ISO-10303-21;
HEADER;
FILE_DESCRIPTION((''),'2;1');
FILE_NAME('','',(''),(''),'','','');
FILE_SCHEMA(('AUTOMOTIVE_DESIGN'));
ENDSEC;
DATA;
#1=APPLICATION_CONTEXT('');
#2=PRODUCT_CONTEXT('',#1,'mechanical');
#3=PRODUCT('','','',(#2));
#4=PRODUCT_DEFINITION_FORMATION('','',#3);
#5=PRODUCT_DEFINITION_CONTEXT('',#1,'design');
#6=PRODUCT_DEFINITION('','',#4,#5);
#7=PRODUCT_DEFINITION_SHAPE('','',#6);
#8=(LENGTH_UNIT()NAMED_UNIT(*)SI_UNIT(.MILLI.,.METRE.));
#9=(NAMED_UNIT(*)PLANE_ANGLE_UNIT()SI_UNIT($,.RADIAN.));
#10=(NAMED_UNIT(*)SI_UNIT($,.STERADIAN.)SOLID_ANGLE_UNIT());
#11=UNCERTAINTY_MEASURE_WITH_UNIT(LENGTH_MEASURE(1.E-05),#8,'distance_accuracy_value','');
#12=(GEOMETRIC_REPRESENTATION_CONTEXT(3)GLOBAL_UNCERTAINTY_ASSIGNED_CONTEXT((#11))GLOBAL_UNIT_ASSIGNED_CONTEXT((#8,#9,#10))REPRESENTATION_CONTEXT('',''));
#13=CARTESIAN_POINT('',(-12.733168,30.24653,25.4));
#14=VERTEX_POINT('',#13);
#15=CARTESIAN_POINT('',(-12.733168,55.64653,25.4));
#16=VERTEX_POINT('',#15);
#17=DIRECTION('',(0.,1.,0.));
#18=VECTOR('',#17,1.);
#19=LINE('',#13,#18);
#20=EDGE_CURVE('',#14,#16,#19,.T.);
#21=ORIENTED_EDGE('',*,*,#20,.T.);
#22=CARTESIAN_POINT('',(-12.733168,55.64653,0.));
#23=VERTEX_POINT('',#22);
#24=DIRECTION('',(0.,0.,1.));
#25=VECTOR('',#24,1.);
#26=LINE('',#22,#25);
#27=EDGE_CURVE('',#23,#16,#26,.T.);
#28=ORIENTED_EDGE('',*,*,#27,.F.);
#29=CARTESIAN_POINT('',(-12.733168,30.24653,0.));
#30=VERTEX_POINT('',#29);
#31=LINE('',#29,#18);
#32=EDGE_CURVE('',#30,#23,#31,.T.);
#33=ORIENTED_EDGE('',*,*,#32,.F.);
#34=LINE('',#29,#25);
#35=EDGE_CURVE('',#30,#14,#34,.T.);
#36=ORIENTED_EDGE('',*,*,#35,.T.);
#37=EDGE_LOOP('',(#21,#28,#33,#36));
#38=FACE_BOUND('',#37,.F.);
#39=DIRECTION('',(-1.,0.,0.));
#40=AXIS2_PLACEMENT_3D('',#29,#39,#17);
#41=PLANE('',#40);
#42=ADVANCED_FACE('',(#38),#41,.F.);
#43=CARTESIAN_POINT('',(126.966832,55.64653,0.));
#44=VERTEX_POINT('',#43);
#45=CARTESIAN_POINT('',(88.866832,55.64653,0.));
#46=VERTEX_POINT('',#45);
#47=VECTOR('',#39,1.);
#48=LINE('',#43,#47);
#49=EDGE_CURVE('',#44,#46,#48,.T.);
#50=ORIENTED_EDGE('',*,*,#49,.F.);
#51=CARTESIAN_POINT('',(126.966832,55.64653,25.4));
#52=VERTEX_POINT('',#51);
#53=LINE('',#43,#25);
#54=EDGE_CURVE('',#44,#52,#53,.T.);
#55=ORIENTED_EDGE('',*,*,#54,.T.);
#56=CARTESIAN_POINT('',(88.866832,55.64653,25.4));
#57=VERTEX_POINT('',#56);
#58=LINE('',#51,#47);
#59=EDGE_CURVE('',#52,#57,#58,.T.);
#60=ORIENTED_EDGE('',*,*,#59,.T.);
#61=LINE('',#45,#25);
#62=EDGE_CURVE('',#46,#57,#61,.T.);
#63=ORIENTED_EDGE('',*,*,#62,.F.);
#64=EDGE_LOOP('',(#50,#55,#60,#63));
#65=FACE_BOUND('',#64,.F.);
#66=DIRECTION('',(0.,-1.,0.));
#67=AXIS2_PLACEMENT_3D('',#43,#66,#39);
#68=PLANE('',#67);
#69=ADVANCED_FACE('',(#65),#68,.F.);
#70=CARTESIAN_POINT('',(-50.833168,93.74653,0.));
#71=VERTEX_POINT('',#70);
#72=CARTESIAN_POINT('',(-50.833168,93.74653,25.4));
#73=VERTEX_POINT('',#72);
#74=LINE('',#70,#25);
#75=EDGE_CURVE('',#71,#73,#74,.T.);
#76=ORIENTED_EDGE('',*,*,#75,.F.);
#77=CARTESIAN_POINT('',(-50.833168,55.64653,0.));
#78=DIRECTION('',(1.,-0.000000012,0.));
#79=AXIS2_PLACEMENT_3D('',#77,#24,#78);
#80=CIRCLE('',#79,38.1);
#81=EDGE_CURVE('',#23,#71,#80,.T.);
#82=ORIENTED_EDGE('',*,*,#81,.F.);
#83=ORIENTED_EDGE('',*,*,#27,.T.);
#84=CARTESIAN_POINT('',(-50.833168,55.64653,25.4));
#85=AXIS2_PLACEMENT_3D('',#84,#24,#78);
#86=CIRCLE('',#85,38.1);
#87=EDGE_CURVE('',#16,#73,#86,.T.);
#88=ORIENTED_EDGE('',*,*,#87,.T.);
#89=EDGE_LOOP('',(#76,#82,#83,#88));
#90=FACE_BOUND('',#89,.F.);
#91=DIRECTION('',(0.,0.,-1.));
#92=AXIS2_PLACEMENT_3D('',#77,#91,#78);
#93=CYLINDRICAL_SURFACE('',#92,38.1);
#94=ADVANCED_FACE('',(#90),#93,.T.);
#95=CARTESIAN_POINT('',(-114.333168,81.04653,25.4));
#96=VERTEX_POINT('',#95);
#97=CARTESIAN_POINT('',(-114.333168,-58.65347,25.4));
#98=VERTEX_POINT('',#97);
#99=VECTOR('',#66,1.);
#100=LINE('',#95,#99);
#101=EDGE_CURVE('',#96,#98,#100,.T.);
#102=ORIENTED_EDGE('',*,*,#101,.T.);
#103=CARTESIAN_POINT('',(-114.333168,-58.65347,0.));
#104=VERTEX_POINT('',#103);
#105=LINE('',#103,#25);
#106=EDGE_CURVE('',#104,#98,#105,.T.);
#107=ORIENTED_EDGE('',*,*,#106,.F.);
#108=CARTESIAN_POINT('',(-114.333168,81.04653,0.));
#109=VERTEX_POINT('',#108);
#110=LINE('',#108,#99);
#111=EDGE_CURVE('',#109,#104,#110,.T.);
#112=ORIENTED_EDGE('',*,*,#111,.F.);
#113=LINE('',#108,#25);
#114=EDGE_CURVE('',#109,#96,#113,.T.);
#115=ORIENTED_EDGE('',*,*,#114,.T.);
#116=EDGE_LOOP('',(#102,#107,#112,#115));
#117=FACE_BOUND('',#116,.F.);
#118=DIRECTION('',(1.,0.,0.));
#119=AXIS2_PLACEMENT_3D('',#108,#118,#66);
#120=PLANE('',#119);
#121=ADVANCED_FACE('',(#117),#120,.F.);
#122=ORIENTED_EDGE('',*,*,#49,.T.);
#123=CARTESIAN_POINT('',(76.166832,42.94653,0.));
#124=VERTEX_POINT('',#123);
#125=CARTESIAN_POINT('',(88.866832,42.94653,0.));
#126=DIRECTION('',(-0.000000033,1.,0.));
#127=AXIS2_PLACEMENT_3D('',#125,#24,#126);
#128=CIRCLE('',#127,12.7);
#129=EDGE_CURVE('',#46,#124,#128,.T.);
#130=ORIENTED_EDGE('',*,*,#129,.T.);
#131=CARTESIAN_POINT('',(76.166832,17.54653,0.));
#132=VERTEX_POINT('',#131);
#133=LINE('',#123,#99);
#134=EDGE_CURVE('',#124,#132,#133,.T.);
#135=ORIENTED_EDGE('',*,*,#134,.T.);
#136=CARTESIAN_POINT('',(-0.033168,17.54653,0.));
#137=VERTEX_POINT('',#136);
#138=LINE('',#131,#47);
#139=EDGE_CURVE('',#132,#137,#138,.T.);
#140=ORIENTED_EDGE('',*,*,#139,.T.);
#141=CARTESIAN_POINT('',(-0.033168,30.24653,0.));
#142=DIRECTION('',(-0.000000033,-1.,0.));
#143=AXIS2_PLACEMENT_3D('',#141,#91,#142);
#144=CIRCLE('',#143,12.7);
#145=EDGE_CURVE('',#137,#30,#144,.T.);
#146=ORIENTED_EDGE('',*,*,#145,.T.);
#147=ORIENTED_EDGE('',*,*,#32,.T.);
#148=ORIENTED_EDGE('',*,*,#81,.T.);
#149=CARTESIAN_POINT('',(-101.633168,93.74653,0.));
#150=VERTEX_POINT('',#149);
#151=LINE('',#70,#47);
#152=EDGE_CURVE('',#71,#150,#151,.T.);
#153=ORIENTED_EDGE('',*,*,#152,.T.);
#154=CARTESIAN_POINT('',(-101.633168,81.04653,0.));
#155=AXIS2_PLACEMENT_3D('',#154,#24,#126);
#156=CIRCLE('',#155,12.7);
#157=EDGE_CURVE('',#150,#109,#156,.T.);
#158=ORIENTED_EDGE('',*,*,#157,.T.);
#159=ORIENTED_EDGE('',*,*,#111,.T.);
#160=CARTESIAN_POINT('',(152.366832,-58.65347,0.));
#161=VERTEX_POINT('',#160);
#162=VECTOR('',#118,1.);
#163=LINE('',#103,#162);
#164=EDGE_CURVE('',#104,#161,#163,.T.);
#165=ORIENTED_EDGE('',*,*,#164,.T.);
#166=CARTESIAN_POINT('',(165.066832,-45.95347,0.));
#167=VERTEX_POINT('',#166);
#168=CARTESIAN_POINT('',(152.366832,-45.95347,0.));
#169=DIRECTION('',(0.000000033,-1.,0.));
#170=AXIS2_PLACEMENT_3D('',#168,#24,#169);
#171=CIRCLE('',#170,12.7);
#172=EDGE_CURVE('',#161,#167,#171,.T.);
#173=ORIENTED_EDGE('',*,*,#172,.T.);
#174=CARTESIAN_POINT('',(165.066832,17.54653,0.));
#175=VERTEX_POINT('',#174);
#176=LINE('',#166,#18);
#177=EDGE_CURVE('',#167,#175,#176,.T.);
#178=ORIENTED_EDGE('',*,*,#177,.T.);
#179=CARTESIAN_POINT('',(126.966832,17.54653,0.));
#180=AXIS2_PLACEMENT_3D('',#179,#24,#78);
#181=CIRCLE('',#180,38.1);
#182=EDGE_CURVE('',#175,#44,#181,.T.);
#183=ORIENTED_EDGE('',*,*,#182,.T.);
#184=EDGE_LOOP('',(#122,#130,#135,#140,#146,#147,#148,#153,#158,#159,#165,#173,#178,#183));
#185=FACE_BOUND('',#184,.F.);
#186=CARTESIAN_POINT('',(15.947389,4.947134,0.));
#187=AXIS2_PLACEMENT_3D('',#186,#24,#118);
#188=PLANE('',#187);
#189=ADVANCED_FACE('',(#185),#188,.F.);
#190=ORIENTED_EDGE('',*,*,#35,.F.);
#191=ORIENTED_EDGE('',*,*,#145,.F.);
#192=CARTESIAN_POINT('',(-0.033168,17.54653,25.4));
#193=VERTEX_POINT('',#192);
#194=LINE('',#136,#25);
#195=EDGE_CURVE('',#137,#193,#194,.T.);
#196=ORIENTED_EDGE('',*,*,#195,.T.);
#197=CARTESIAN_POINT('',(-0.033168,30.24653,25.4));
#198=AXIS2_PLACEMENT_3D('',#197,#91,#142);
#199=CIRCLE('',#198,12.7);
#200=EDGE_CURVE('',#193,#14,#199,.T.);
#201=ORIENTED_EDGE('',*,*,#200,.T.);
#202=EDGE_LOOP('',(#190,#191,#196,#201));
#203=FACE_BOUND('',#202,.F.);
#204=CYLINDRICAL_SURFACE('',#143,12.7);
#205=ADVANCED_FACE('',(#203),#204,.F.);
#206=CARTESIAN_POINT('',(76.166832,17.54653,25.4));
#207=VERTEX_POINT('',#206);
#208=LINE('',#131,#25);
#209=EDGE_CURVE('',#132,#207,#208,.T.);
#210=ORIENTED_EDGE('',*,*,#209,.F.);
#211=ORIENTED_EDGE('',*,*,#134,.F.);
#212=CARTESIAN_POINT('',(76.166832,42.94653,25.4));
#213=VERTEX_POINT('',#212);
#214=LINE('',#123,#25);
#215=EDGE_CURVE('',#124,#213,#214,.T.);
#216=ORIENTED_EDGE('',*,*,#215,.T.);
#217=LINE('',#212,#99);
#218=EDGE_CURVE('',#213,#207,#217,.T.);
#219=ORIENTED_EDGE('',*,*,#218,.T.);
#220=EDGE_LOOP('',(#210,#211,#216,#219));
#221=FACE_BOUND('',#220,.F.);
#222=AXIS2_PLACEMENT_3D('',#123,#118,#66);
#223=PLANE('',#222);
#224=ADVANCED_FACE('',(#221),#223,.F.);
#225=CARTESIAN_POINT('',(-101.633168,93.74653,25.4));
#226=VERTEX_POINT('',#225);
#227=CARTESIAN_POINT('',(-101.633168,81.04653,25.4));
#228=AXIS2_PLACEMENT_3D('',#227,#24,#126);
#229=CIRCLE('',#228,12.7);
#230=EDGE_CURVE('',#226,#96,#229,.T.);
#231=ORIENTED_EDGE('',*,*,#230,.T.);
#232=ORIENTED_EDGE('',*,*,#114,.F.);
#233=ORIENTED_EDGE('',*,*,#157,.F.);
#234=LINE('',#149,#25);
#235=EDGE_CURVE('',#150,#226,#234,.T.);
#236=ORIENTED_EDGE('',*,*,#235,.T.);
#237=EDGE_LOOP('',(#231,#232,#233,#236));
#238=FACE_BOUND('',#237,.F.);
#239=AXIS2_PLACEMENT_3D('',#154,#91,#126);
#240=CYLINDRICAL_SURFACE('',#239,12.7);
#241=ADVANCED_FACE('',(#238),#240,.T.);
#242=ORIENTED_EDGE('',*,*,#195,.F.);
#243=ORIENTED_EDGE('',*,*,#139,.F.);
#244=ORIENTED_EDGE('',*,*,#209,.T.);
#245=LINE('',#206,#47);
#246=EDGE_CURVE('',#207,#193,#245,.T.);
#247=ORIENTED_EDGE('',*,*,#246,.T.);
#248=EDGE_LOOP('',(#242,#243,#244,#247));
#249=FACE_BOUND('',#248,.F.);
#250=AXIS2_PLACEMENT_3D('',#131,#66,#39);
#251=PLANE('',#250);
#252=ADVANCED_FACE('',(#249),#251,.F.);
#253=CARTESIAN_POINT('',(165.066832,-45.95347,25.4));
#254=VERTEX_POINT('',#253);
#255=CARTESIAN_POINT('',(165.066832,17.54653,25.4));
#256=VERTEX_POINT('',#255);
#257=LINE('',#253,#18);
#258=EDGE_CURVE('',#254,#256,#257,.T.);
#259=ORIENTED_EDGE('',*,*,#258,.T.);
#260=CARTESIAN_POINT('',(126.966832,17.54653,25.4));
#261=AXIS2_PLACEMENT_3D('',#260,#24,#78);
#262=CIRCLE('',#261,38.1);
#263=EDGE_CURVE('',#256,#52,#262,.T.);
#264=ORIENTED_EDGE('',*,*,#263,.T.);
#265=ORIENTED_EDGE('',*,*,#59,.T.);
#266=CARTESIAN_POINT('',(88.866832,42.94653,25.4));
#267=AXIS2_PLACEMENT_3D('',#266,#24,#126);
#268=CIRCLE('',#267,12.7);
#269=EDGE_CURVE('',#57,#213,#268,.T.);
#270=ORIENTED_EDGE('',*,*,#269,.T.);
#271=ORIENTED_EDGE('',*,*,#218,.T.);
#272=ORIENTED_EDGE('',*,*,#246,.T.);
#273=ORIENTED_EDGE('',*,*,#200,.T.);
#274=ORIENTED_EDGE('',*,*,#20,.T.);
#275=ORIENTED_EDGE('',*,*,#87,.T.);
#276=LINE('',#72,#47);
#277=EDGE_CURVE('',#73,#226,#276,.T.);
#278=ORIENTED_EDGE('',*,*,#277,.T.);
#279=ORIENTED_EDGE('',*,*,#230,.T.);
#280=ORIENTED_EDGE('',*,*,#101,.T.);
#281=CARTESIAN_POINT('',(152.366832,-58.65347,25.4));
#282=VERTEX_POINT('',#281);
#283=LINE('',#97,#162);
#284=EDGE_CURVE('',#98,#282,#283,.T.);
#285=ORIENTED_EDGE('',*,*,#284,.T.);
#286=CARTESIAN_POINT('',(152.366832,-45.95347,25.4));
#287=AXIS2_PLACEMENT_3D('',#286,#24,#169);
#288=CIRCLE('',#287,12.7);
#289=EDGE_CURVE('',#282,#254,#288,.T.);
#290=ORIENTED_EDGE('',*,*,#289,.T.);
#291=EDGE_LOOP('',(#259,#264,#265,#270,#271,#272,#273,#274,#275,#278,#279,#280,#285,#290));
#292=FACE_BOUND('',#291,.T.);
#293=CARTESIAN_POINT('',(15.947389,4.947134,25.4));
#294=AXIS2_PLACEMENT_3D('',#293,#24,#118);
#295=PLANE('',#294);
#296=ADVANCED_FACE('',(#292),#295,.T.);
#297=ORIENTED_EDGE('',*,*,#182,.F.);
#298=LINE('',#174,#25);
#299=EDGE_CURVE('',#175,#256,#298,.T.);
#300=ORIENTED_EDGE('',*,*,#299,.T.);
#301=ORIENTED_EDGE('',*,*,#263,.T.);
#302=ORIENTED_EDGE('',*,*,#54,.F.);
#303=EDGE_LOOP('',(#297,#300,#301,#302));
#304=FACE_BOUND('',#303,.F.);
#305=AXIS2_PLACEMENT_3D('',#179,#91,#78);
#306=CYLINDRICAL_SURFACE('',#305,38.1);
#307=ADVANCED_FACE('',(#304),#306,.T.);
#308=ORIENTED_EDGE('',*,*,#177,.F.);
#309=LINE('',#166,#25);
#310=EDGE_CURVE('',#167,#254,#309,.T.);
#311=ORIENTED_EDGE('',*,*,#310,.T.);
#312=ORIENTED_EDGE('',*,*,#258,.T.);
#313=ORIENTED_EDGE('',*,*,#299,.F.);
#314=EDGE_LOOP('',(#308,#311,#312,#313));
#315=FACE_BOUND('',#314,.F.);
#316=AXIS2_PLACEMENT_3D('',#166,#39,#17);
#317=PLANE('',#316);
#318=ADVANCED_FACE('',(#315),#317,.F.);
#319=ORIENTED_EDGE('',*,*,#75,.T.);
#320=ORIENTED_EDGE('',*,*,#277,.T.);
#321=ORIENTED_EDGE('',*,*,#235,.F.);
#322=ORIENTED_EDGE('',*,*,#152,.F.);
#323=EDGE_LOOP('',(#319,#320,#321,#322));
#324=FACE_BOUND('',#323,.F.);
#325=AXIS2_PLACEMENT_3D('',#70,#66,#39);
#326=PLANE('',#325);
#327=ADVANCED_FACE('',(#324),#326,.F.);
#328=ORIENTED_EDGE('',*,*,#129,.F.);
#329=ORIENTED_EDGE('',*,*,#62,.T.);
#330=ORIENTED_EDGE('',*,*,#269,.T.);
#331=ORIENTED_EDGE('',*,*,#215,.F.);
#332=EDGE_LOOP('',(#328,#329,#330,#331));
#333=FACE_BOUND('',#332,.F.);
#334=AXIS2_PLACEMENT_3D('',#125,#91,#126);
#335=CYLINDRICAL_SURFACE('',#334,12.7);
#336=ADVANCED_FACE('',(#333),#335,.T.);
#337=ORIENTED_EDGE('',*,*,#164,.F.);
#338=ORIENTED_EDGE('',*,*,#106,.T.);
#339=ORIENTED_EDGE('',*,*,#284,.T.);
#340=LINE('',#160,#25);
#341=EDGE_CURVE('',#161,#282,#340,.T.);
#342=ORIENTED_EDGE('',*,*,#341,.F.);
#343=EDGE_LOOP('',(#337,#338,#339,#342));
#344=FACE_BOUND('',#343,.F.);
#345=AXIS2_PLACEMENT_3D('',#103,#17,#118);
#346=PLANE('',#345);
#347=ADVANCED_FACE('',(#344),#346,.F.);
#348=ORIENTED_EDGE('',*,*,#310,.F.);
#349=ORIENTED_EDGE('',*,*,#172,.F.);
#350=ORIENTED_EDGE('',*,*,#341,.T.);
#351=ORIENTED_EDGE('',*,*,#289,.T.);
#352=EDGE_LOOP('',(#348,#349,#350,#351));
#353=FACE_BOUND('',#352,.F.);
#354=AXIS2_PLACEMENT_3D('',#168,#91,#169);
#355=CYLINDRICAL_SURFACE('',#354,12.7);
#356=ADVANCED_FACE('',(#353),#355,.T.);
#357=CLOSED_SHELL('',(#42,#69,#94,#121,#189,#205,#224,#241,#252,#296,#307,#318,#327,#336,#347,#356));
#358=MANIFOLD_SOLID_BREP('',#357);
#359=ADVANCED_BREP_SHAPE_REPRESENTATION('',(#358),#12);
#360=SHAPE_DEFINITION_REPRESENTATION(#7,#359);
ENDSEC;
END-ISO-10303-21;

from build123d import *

# Parameters (mm, degrees)
F1_DEPTH = 25.4


with BuildPart() as f1:
    # F0 (on Top) → F1 (new body)
    with BuildSketch(Plane.XY):
        with BuildLine():
            Line((-114.333168, 81.04653), (-114.333168, -58.65347))
            Line((-114.333168, -58.65347), (152.366832, -58.65347))
            ThreePointArc((152.366832, -58.65347), (161.347088, -54.933726), (165.066832, -45.95347))
            Line((165.066832, -45.95347), (165.066832, 17.54653))
            ThreePointArc((165.066832, 17.54653), (153.907601, 44.487298), (126.966832, 55.64653))
            Line((126.966832, 55.64653), (88.866832, 55.64653))
            ThreePointArc((88.866832, 55.64653), (79.886576, 51.926786), (76.166832, 42.94653))
            Line((76.166832, 42.94653), (76.166832, 17.54653))
            Line((76.166832, 17.54653), (-0.033168, 17.54653))
            ThreePointArc((-0.033168, 17.54653), (-9.013424, 21.266274), (-12.733168, 30.24653))
            Line((-12.733168, 30.24653), (-12.733168, 55.64653))
            ThreePointArc((-12.733168, 55.64653), (-23.892399, 82.587298), (-50.833168, 93.74653))
            Line((-50.833168, 93.74653), (-101.633168, 93.74653))
            ThreePointArc((-101.633168, 93.74653), (-110.613424, 90.026786), (-114.333168, 81.04653))
        make_face()
    extrude(amount=F1_DEPTH)


solid = f1.part
